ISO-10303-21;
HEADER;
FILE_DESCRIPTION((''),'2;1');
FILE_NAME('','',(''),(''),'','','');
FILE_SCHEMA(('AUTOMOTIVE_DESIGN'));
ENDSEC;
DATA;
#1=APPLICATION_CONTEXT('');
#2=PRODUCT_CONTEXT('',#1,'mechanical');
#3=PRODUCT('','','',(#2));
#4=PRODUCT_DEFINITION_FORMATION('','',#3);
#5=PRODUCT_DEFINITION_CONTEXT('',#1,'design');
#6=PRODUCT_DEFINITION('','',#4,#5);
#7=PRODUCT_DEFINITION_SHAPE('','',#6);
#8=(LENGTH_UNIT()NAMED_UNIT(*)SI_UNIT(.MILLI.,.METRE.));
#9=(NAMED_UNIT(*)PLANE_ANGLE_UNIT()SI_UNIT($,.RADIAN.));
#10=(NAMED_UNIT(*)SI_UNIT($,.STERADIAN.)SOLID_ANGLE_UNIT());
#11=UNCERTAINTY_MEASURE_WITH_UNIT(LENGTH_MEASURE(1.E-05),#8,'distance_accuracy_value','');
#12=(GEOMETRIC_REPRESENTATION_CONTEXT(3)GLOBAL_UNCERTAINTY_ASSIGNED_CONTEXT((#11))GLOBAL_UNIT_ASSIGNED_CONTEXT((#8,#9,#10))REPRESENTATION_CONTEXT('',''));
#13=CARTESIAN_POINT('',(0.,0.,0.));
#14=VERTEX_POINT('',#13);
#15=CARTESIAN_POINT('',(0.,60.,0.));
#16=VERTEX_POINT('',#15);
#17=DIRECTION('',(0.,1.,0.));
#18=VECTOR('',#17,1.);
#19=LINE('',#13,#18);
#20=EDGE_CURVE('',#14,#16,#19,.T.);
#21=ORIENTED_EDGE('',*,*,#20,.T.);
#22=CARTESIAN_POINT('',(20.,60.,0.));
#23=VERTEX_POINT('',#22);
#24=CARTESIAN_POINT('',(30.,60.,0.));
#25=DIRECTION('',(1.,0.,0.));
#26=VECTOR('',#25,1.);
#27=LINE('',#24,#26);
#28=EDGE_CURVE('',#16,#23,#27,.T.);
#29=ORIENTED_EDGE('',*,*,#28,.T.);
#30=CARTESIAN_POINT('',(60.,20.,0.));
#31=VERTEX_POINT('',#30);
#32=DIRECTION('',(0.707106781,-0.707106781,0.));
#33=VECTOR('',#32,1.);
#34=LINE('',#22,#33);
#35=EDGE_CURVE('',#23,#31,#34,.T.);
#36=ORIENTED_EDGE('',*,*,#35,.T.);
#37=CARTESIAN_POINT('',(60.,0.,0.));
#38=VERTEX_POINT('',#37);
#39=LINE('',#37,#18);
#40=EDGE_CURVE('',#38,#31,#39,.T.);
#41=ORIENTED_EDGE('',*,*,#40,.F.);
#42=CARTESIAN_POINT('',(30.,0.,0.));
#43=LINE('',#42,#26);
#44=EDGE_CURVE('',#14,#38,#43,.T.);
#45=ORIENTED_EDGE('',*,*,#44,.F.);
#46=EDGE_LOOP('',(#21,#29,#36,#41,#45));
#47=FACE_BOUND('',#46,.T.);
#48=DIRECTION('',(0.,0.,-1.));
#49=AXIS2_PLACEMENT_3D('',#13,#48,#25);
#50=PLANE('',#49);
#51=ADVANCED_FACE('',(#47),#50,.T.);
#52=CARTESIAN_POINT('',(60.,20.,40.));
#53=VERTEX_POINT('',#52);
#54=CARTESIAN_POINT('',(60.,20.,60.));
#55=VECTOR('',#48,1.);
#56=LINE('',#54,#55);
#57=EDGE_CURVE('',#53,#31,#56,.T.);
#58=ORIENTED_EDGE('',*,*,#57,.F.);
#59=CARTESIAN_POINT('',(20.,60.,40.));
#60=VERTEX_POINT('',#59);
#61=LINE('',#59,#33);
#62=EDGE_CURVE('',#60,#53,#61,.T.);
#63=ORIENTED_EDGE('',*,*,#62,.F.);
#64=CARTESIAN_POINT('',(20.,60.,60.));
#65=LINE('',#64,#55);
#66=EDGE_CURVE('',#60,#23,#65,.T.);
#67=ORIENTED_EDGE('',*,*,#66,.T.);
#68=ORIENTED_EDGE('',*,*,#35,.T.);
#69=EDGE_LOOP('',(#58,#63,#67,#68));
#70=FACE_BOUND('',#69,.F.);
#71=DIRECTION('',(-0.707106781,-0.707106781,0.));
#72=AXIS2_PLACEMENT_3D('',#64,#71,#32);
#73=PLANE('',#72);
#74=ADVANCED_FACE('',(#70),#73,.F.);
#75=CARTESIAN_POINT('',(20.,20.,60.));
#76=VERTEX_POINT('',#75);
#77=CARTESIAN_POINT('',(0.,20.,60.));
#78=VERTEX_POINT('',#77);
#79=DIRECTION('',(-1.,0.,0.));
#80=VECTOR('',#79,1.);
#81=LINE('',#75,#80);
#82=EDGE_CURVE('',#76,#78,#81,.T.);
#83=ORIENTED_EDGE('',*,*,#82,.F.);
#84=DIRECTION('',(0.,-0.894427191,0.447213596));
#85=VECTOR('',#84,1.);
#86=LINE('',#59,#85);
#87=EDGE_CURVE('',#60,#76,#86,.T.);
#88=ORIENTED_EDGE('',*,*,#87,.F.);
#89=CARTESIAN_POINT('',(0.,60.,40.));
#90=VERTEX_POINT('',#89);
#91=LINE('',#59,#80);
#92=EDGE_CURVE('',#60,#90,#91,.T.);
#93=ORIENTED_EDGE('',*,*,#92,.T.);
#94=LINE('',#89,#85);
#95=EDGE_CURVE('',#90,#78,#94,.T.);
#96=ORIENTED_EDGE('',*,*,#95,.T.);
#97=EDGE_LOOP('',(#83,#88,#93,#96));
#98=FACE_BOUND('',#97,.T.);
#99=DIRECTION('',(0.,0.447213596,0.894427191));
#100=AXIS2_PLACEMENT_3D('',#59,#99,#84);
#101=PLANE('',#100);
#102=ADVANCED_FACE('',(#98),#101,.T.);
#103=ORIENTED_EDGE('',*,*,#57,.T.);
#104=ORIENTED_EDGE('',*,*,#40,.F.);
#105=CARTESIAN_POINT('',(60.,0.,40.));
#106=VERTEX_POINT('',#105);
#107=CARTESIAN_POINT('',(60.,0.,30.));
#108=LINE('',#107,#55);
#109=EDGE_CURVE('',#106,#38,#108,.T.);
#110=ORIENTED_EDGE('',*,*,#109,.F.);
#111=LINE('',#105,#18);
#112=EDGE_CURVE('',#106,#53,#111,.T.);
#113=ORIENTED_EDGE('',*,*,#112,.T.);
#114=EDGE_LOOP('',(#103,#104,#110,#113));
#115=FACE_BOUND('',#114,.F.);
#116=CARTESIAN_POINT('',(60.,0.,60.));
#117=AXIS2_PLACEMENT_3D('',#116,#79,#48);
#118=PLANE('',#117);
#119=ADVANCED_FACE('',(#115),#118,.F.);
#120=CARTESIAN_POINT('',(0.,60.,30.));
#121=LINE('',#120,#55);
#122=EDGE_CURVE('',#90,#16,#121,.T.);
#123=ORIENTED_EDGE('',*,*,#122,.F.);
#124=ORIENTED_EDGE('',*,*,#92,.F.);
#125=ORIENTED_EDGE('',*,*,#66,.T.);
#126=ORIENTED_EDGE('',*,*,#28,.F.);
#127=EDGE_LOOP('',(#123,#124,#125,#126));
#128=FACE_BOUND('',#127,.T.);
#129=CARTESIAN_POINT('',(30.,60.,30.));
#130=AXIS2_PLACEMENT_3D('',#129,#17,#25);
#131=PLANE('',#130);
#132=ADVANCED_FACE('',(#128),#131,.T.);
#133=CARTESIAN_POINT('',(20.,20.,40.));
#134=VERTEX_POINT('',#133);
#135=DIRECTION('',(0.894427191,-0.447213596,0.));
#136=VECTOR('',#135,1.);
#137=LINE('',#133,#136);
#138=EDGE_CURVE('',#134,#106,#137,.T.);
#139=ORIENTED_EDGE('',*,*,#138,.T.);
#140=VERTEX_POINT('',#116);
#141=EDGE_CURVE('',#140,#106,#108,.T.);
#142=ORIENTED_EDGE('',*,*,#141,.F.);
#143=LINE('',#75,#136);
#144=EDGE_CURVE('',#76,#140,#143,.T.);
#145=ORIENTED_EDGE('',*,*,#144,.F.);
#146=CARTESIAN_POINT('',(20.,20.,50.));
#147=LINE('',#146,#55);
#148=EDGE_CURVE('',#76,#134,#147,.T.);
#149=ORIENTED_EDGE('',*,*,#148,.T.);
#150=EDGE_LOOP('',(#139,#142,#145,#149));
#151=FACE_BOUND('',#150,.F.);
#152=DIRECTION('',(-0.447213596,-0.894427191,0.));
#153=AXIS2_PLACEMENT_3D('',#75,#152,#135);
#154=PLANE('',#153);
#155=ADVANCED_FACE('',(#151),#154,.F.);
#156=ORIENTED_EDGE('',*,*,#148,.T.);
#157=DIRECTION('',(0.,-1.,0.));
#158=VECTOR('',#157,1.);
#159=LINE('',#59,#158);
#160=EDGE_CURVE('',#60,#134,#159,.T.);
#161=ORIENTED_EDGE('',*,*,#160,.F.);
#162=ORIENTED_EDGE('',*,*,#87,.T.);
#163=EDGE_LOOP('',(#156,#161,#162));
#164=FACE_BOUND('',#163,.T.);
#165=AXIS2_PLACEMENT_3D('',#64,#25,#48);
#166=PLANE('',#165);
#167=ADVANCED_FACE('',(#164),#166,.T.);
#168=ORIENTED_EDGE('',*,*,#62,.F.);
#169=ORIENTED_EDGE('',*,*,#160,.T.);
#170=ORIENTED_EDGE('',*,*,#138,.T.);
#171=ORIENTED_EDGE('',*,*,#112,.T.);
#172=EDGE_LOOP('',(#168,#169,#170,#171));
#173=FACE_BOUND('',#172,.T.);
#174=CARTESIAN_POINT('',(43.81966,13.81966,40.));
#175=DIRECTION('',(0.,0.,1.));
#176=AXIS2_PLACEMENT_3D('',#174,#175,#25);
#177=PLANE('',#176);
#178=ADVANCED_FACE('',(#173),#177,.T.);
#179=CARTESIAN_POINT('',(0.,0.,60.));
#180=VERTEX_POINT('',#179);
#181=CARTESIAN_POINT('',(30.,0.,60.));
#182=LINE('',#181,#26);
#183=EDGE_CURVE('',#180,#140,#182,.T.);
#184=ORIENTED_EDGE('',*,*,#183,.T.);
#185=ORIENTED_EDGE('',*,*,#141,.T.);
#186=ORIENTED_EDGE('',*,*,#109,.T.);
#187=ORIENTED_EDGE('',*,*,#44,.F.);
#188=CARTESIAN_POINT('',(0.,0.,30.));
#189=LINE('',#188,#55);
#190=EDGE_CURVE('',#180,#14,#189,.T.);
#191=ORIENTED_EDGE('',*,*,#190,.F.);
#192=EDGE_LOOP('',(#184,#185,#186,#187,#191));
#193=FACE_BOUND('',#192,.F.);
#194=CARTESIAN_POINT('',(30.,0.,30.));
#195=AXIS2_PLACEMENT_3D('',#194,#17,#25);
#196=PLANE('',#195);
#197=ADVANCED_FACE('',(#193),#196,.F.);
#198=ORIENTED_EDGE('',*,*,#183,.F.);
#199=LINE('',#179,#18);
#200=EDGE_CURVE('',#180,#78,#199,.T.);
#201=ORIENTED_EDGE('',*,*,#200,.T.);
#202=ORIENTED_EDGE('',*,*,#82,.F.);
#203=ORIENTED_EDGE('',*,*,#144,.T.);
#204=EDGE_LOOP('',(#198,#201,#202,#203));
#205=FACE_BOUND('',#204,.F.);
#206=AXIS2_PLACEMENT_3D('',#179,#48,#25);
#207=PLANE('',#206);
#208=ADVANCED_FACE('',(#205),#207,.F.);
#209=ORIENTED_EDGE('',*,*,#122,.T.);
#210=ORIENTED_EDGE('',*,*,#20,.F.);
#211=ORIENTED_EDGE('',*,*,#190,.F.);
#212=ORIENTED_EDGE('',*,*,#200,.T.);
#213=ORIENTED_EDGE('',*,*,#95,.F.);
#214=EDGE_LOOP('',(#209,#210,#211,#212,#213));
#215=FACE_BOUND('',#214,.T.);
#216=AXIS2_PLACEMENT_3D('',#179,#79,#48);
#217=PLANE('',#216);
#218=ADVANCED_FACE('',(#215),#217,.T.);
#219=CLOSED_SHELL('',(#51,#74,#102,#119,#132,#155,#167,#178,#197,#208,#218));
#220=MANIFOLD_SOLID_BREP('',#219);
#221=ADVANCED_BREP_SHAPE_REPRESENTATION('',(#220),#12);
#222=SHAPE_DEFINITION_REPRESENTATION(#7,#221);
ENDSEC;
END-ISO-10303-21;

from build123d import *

# Parameters (mm, degrees)
CROQUIS1_W              = 60
CROQUIS1_H              = 60
SALIENTE_EXTRUIR1_DEPTH = 60
CROQUIS6_W              = 40
CROQUIS6_H              = 20
CORTAR_EXTRUIR2_DEPTH   = 40
CORTAR_EXTRUIR3_DEPTH   = 60
CORTAR_EXTRUIR4_DEPTH   = 20
CORTAR_EXTRUIR5_DEPTH   = 20


with BuildPart() as part:
    # Croquis1 → Saliente-Extruir1 (new body)
    with BuildSketch(Plane(origin=(0, 0, 0), x_dir=(1, 0, 0), z_dir=(0, 1, 0))):
        with Locations((30, -30)):
            Rectangle(CROQUIS1_W, CROQUIS1_H)
    extrude(amount=SALIENTE_EXTRUIR1_DEPTH)

    # Croquis6 → Cortar-Extruir2 (cut)
    with BuildSketch(Plane(origin=(0, 60, 0), x_dir=(1, 0, 0), z_dir=(0, 1, 0))):
        with Locations((40, -50)):
            Rectangle(CROQUIS6_W, CROQUIS6_H)
    extrude(amount=-CORTAR_EXTRUIR2_DEPTH, mode=Mode.SUBTRACT)

    # Croquis2 → Cortar-Extruir3 (cut)
    with BuildSketch(Plane.XY.offset(60)):
        Polygon((60, 60), (20, 60), (60, 20), align=None)
    extrude(amount=-CORTAR_EXTRUIR3_DEPTH, mode=Mode.SUBTRACT)

    # Croquis7 → Cortar-Extruir4 (cut)
    with BuildSketch(Plane.XY.offset(60)):
        Polygon((20, 20), (60, 0), (60, 20), align=None)
    extrude(amount=-CORTAR_EXTRUIR4_DEPTH, mode=Mode.SUBTRACT)

    # Croquis8 → Cortar-Extruir5 (cut)
    with BuildSketch(Plane(origin=(20, 0, 0), x_dir=(0, 0, -1), z_dir=(1, 0, 0))):
        Polygon((-40, 60), (-60, 20), (-60, 60), align=None)
    extrude(amount=-CORTAR_EXTRUIR5_DEPTH, mode=Mode.SUBTRACT)


solid = part.part
